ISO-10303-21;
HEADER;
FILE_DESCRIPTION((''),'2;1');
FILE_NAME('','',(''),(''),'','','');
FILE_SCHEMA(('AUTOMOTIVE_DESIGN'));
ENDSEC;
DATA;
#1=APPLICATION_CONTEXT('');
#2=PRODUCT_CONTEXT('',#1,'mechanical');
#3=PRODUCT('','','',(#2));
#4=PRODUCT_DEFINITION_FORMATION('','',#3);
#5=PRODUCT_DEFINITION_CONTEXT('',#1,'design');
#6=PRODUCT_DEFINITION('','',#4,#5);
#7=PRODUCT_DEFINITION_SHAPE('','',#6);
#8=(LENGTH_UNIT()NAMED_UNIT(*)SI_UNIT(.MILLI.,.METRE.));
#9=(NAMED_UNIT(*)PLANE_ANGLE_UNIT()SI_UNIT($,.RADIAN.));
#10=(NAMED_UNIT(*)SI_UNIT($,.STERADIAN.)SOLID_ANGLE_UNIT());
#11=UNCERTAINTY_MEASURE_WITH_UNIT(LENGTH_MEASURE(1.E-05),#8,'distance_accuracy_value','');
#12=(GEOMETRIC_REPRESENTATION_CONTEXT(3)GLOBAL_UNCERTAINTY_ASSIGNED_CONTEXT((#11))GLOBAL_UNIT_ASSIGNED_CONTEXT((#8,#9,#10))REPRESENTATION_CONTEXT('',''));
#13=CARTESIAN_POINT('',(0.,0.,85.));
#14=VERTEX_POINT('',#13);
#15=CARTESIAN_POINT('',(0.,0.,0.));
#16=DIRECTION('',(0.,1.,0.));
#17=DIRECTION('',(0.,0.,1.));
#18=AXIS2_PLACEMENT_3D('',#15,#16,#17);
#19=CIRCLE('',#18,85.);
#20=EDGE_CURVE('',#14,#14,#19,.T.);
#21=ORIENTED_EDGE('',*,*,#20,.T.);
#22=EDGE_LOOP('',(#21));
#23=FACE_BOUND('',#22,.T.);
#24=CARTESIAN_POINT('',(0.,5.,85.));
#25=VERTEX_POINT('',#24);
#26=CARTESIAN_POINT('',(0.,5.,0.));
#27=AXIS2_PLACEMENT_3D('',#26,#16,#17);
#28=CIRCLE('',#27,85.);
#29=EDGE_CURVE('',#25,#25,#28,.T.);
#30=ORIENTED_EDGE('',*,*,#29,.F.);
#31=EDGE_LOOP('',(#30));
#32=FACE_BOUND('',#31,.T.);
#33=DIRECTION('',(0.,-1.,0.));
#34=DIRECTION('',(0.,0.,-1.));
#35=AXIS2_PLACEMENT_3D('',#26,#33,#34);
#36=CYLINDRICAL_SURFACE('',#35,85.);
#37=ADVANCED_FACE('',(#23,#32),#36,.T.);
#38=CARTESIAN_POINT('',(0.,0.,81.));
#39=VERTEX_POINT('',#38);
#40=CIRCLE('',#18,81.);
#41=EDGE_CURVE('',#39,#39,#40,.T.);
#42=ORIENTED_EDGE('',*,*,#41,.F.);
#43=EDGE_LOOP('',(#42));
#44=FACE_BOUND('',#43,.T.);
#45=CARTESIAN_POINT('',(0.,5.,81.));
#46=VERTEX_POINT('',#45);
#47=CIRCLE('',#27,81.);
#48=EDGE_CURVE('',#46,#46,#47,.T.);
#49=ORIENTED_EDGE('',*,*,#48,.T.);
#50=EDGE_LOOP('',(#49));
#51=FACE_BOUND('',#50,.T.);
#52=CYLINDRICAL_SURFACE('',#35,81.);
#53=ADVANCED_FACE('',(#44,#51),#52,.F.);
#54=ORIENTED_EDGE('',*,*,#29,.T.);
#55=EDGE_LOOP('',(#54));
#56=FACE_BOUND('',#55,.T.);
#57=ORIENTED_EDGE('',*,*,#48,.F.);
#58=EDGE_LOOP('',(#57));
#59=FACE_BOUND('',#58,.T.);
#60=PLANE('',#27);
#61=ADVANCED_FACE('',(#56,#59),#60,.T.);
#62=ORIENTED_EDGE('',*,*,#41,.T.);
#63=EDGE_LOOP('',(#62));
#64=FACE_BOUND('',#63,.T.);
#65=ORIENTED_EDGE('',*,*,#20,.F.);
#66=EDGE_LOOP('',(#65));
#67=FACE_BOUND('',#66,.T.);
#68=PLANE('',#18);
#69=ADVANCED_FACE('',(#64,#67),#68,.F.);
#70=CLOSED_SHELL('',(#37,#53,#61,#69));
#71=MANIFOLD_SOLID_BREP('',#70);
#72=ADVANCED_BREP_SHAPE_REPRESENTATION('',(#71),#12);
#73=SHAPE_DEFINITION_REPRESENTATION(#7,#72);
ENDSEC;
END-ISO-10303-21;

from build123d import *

# Parameters (mm, degrees)
SKETCH1_R           = 85
SKETCH1_R_2         = 81
BOSS_EXTRUDE1_DEPTH = 5


with BuildPart() as part:
    # Sketch1 → Boss-Extrude1 (new body)
    with BuildSketch(Plane(origin=(0, 0, 0), x_dir=(1, 0, 0), z_dir=(0, 1, 0))):
        with Locations(Location((0, 0, 0), (0, 0, 270))):
            Circle(SKETCH1_R)
        with Locations(Location((0, 0, 0), (0, 0, 270))):
            Circle(SKETCH1_R_2, mode=Mode.SUBTRACT)
    extrude(amount=BOSS_EXTRUDE1_DEPTH)


solid = part.part
